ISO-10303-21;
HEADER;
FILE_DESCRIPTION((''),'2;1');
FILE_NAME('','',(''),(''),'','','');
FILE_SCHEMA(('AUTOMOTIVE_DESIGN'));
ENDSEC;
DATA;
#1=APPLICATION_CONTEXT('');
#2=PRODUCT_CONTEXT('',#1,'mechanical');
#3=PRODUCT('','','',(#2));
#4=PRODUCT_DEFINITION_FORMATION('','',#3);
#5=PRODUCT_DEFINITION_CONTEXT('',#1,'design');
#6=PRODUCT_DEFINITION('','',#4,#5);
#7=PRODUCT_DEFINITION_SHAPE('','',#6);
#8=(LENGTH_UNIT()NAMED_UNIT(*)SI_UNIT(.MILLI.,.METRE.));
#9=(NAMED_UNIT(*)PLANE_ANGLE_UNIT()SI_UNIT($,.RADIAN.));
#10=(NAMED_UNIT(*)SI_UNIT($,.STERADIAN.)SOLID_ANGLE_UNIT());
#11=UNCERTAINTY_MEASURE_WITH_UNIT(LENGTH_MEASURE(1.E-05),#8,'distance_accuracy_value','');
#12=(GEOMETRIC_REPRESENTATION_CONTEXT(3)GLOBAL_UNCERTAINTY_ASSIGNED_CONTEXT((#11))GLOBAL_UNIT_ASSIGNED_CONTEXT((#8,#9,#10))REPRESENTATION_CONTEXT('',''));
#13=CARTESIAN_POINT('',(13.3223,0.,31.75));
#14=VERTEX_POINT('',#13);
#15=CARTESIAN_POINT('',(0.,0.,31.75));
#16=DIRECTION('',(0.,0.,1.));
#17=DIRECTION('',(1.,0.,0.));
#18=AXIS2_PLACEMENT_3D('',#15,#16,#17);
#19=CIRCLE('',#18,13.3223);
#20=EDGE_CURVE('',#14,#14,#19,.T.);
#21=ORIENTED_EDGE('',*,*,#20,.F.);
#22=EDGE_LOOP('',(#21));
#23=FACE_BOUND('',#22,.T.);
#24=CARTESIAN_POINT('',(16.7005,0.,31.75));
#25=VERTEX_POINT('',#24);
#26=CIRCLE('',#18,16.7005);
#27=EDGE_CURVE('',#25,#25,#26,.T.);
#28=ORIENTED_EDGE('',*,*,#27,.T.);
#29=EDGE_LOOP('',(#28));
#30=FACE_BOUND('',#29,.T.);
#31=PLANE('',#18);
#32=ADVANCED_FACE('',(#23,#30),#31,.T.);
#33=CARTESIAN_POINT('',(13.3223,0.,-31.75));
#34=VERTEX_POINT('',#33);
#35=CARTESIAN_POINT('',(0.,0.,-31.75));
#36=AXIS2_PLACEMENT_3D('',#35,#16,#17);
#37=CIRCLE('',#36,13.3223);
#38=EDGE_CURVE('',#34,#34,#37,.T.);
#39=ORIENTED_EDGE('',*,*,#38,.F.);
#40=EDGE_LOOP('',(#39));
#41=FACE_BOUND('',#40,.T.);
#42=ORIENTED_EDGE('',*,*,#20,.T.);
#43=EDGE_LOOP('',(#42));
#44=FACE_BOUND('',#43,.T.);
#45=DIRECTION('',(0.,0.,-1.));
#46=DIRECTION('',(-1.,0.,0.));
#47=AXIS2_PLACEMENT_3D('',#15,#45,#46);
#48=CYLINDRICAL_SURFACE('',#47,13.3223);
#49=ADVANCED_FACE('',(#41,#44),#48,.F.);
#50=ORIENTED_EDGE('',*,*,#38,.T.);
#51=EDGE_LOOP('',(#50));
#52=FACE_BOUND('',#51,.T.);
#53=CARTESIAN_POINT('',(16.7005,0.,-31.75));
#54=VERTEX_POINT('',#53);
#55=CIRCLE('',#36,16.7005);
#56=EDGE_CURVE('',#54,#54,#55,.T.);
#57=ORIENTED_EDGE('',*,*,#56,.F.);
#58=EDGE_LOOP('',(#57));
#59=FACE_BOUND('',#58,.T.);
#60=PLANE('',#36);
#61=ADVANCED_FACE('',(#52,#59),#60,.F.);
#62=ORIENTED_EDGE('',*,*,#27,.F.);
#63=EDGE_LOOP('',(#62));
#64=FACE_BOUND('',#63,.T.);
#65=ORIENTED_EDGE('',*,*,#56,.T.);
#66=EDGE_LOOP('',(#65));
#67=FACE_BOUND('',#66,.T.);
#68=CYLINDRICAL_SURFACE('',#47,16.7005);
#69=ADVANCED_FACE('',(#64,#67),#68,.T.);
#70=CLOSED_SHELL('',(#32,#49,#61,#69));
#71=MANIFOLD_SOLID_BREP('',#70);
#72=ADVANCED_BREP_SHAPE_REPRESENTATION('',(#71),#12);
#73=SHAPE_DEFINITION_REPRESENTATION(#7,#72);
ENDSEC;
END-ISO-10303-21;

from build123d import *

# Parameters (mm, degrees)
SKETCH1_R           = 16.7005
SKETCH1_R_2         = 13.3223
EXTRUDE_THIN1_DEPTH = 31.75


with BuildPart() as part:
    # Sketch1 → Extrude-Thin1 (new, symmetric)
    with BuildSketch(Plane.XY):
        Circle(SKETCH1_R)
        Circle(SKETCH1_R_2, mode=Mode.SUBTRACT)
    extrude(amount=EXTRUDE_THIN1_DEPTH, both=True)


solid = part.part
